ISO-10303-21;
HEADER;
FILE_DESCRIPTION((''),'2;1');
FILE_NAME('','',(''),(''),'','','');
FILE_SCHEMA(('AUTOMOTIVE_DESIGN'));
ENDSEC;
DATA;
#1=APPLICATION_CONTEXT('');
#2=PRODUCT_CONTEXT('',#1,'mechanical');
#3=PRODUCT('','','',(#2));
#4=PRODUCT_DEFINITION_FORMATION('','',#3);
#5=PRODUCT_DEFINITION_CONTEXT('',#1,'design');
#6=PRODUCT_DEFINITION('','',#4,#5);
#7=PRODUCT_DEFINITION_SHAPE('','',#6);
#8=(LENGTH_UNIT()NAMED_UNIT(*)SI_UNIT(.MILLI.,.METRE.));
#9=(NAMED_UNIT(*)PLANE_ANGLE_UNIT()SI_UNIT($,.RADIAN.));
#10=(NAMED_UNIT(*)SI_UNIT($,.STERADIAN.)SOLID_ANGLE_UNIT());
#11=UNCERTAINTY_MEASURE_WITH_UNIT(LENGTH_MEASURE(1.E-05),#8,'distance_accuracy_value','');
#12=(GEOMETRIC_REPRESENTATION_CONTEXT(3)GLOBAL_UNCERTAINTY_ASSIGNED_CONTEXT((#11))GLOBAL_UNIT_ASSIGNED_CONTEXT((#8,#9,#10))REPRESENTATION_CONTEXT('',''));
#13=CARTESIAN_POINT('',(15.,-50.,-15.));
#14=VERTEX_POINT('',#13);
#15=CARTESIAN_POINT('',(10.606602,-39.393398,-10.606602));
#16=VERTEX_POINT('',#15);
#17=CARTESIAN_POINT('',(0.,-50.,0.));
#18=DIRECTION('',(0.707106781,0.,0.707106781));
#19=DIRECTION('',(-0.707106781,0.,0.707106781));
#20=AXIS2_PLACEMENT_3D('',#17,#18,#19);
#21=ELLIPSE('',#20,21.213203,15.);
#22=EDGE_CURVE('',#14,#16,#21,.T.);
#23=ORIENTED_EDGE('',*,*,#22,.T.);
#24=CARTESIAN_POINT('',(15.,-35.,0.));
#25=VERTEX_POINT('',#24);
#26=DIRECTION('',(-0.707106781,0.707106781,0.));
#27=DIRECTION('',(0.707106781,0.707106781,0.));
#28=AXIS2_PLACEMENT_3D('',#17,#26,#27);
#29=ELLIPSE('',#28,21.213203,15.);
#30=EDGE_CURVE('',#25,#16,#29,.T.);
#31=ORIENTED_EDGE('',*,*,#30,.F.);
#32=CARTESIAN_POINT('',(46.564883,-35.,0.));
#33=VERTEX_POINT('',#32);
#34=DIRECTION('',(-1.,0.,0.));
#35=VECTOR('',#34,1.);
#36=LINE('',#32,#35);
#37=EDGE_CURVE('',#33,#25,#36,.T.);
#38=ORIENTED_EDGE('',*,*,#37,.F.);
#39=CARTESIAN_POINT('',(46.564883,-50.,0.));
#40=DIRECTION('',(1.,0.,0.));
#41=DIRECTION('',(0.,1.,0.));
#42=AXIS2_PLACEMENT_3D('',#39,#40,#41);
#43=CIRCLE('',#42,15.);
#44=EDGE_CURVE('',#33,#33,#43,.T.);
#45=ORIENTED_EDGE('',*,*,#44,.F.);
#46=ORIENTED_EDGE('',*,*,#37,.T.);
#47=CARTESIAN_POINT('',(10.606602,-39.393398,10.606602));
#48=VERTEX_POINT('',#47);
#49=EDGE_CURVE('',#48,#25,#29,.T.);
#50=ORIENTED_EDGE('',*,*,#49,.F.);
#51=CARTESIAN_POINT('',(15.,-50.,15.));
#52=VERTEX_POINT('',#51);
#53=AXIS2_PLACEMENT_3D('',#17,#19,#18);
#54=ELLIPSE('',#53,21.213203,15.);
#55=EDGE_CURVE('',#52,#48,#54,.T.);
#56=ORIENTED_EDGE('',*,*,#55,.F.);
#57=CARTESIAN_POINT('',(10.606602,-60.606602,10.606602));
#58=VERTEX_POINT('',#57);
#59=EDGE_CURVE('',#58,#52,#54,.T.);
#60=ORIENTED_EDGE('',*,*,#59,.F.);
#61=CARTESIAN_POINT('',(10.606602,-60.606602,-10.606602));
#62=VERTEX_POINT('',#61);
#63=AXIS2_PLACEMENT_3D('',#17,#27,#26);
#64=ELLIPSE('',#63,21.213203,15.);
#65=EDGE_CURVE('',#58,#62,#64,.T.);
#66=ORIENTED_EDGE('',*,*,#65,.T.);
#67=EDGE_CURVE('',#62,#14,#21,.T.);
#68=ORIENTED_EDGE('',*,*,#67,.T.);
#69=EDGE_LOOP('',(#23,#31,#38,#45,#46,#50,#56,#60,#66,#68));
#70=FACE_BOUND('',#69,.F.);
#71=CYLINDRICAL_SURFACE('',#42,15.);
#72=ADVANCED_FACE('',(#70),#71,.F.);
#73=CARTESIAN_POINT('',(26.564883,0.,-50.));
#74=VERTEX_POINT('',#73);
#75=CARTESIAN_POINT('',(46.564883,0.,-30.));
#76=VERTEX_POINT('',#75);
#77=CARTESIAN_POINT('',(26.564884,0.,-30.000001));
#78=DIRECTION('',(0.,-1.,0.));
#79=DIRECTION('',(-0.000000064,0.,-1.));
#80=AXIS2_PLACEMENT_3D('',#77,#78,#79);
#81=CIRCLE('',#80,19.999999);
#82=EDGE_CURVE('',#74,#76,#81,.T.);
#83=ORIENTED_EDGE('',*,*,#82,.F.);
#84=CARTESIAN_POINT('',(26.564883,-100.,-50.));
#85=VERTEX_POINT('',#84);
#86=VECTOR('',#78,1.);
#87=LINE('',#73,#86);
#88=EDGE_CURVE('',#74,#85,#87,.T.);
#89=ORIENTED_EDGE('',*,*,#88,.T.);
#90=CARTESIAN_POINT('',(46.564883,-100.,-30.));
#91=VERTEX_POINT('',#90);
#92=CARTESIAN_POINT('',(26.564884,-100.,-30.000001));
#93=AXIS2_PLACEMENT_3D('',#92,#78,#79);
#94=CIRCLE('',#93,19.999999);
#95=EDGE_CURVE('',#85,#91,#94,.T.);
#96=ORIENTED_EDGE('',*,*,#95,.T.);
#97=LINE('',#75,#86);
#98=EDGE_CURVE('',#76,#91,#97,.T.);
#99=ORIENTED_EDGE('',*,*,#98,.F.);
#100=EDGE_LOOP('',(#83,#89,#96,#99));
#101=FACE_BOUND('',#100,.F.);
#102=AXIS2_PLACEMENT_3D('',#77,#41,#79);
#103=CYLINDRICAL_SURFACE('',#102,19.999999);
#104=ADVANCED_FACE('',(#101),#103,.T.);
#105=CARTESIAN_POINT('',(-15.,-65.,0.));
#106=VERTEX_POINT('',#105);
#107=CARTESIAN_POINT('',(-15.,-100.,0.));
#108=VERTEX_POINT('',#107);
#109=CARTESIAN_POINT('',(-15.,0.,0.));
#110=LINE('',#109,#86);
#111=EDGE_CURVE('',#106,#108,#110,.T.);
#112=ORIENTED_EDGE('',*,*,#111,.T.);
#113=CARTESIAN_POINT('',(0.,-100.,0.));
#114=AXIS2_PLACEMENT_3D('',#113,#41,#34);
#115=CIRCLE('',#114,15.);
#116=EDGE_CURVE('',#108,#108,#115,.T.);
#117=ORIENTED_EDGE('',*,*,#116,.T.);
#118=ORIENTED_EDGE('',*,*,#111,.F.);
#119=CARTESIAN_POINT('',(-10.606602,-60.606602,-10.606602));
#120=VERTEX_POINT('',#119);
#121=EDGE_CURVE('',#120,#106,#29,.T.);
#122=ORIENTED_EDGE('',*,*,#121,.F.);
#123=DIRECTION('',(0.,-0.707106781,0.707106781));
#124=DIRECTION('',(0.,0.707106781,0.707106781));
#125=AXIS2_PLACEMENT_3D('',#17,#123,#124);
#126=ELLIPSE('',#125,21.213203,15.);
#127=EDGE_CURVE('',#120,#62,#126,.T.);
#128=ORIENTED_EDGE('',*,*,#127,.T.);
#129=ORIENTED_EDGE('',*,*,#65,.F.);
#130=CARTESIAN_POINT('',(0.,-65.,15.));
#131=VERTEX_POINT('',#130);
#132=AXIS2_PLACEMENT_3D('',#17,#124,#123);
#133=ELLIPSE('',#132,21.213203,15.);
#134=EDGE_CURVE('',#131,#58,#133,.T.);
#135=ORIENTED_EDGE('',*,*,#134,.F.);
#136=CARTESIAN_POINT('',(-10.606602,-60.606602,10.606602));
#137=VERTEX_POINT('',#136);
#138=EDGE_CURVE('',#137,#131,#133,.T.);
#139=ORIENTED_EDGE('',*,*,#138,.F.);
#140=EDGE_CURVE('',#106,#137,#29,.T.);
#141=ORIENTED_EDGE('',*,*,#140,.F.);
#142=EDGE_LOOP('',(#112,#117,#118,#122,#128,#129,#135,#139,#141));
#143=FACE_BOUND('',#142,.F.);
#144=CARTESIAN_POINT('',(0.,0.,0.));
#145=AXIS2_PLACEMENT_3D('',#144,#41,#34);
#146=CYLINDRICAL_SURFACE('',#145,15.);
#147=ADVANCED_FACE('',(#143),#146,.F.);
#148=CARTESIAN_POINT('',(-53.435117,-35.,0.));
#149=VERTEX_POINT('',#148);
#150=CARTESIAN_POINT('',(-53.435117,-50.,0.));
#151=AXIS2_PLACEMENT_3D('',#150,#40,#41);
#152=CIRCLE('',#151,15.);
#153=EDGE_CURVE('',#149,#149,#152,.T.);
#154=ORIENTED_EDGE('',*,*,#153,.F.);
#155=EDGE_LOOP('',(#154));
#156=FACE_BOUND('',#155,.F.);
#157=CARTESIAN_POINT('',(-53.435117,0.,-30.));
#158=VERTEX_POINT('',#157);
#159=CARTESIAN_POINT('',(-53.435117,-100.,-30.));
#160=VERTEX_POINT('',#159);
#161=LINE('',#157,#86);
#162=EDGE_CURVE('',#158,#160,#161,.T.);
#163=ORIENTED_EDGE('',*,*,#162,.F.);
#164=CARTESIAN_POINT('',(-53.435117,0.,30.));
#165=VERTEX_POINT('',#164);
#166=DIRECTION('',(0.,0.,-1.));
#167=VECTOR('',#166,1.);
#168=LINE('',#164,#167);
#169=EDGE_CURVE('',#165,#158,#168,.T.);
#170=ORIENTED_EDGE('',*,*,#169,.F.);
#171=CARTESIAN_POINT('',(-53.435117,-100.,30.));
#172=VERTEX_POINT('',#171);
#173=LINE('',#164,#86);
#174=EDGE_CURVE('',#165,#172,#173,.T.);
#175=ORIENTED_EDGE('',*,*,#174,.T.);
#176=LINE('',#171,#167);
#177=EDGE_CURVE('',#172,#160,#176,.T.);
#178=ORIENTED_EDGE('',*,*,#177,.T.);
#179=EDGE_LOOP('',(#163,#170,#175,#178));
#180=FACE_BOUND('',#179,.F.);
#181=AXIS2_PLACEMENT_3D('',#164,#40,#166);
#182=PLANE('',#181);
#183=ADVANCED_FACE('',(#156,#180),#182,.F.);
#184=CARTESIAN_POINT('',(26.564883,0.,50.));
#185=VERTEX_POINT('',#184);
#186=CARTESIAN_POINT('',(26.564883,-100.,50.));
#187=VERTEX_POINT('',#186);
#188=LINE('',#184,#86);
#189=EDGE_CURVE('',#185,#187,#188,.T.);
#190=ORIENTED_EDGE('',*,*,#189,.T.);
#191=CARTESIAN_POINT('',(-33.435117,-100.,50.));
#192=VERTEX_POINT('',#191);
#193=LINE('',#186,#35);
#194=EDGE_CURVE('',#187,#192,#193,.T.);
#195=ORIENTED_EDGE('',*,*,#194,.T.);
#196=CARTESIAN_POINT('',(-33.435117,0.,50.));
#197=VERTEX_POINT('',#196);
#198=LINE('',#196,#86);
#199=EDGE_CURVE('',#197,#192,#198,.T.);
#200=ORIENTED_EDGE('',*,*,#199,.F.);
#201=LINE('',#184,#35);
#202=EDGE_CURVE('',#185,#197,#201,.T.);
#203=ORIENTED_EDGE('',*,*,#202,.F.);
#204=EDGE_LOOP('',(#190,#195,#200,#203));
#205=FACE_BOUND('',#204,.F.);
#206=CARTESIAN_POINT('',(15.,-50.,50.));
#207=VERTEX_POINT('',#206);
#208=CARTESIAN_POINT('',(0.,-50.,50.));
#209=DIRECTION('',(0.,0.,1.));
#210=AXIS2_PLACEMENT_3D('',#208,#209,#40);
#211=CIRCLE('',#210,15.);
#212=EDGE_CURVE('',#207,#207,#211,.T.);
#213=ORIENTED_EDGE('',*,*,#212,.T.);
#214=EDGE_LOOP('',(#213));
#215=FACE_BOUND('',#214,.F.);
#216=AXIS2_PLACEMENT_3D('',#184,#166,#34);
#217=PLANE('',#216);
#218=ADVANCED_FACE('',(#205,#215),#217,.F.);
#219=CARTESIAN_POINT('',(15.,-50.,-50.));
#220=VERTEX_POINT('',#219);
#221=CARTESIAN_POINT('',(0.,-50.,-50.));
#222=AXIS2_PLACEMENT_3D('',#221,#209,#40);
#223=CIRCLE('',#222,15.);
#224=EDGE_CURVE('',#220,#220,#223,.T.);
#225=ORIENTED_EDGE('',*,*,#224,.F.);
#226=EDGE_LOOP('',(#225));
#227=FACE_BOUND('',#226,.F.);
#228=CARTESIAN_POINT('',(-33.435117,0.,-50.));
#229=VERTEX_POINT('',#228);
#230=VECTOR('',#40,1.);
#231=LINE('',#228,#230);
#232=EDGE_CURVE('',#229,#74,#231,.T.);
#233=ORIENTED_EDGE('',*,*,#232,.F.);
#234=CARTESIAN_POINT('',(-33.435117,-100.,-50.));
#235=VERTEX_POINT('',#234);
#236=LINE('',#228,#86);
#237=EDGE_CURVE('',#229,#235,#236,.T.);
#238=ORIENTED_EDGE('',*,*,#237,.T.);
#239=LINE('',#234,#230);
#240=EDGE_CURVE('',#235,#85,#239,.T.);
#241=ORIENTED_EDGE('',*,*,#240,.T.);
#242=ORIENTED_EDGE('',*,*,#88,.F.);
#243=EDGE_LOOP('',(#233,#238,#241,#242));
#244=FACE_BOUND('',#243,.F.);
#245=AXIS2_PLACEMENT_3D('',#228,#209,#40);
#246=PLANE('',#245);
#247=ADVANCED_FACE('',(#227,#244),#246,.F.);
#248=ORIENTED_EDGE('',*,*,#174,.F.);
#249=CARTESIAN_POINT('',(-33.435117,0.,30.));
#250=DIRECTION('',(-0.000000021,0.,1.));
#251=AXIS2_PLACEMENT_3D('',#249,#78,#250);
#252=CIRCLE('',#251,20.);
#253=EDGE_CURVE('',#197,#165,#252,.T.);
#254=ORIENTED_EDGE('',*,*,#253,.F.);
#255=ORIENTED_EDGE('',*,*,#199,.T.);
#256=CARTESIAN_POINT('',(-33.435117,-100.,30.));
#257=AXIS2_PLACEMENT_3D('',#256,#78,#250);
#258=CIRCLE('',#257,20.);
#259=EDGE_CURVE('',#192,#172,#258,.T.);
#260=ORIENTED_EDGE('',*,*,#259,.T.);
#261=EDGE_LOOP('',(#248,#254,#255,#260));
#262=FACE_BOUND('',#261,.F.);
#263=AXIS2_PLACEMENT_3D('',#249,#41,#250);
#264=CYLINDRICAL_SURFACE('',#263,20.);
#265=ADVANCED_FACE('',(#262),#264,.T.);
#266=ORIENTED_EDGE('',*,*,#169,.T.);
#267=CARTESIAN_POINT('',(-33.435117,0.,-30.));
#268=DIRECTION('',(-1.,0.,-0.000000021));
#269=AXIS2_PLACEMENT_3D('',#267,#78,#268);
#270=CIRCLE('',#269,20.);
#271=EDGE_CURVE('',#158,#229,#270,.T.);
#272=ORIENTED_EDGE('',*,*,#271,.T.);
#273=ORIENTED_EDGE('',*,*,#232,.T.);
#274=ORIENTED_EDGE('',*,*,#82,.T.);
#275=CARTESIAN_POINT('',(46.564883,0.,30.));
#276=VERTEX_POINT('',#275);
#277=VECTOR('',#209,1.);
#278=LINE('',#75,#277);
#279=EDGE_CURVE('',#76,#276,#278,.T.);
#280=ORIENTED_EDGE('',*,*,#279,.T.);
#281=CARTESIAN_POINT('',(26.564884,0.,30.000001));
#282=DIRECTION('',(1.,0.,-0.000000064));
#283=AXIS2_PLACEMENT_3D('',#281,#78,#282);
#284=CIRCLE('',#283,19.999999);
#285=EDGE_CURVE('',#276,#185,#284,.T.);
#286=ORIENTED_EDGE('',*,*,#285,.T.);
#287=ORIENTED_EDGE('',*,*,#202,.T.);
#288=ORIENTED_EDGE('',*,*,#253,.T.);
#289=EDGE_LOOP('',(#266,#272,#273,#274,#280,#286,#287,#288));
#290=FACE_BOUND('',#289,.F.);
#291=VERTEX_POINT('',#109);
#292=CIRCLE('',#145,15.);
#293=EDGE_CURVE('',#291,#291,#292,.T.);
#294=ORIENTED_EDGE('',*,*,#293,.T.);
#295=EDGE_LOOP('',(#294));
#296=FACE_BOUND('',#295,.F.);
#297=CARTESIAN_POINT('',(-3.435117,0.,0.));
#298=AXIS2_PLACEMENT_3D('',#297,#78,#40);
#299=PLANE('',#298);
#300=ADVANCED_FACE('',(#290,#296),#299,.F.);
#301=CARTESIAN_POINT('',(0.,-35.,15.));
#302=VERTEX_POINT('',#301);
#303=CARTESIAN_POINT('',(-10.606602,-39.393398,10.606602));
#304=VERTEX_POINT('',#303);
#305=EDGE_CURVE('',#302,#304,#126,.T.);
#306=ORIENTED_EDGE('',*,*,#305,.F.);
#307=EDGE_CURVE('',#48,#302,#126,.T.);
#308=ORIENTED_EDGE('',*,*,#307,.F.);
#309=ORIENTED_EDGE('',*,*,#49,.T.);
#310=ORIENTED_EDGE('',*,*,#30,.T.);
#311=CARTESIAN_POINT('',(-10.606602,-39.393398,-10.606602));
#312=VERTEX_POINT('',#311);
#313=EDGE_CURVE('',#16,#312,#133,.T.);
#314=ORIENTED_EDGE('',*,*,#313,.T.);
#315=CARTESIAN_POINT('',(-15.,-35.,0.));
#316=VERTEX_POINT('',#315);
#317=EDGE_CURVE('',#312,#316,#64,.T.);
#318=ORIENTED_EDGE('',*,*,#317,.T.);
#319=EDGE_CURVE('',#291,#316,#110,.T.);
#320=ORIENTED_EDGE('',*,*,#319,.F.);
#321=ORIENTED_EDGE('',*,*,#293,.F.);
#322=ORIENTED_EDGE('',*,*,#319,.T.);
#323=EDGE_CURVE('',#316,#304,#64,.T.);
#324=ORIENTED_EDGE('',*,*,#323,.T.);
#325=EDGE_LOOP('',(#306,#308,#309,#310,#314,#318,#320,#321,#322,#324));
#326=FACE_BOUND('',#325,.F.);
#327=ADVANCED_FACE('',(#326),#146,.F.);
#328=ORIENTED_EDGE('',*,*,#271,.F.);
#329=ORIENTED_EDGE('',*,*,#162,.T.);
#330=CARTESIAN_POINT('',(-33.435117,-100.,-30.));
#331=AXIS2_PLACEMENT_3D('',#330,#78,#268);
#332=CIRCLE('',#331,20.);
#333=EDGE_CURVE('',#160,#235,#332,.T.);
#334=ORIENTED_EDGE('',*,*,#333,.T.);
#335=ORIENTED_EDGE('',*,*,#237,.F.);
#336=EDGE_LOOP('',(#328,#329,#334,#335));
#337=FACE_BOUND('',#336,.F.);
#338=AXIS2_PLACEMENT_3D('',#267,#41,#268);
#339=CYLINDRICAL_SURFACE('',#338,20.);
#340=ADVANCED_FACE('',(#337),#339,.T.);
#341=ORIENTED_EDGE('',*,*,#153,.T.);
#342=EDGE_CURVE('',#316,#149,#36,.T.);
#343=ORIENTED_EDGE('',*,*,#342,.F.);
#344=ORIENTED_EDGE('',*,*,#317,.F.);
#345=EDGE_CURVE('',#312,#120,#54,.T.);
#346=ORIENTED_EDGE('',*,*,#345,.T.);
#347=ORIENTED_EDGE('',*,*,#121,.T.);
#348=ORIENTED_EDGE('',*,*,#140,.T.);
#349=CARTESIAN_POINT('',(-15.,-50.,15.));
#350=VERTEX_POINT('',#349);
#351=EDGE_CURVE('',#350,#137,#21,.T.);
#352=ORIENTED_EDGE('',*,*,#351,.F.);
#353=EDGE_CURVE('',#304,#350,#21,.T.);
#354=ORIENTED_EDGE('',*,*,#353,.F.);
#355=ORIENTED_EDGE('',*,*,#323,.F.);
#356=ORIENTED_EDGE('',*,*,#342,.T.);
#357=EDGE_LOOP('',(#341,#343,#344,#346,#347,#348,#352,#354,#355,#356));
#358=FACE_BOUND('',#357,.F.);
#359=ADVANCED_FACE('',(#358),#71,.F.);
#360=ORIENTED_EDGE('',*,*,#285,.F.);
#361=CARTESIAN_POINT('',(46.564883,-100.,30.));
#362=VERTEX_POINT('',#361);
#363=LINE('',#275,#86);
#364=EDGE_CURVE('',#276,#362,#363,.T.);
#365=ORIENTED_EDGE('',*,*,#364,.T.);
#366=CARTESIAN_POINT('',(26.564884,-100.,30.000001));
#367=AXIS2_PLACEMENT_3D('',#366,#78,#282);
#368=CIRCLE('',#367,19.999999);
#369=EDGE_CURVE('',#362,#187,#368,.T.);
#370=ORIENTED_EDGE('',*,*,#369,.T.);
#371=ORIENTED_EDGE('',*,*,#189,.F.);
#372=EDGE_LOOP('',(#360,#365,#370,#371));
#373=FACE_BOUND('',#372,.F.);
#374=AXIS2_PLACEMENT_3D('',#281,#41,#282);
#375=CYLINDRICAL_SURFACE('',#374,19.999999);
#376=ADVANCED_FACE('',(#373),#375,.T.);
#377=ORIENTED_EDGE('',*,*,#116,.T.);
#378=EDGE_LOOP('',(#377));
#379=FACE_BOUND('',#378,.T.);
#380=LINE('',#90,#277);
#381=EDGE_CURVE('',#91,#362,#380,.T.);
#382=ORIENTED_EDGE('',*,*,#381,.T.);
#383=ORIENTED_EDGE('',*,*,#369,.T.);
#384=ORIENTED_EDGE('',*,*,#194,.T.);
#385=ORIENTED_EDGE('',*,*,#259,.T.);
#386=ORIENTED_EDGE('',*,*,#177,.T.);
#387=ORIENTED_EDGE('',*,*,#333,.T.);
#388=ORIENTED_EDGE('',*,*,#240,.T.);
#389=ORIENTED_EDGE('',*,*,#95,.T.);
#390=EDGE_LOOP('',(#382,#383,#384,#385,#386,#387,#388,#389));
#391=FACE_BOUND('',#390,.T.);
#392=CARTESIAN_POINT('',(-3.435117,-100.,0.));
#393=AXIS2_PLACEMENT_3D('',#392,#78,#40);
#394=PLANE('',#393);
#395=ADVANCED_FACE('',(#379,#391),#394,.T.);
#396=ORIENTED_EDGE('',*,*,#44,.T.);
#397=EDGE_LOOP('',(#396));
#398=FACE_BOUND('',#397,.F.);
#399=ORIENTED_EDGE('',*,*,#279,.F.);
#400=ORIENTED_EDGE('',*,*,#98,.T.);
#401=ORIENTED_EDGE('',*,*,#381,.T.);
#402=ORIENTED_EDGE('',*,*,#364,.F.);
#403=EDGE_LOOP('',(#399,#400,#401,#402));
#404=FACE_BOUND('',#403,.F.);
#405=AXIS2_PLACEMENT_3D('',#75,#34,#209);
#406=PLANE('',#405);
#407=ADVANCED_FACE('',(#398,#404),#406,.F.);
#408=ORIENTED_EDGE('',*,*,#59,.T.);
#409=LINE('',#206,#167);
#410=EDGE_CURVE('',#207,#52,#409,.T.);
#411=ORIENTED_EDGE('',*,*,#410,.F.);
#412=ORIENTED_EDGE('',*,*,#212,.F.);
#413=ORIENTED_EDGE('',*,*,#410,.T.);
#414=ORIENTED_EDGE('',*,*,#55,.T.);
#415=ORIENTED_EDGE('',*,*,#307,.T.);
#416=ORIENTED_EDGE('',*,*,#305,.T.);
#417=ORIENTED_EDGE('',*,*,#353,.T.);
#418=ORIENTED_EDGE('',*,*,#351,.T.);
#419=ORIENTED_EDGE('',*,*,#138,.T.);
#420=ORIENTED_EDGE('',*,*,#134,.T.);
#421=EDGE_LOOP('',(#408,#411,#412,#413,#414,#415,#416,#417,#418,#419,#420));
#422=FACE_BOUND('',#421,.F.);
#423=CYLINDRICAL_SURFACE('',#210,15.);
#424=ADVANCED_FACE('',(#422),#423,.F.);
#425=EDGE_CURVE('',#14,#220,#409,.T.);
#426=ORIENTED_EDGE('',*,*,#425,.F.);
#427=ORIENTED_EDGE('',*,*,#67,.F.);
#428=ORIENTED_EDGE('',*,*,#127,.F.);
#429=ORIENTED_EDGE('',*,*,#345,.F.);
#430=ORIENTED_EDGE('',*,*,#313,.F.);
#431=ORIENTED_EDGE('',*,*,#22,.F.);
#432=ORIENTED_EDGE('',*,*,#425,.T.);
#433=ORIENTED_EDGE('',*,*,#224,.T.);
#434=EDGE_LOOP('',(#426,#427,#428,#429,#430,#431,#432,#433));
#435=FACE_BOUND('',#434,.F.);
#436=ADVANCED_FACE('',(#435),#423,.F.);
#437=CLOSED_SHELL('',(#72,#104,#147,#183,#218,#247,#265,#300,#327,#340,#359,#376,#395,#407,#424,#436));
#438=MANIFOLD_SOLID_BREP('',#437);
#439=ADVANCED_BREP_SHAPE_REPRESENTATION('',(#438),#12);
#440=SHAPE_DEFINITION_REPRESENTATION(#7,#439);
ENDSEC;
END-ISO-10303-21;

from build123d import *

# Parameters (mm, degrees)
F1_DEPTH = 100
F2_R     = 15
F3_DEPTH = 100.001
F4_R     = 15
F5_DEPTH = 100.001
F6_R     = 15
F7_DEPTH = 100.001


with BuildPart() as f1:
    # F0 (on Front) → F1 (new body)
    with BuildSketch(Plane.XZ):
        with BuildLine():
            ThreePointArc((46.564883, 30), (40.707019, 44.142136), (26.564883, 50))
            Line((26.564883, 50), (-33.435117, 50))
            ThreePointArc((-33.435117, 50), (-47.577252, 44.142136), (-53.435117, 30))
            Line((-53.435117, 30), (-53.435117, -30))
            ThreePointArc((-53.435117, -30), (-47.577252, -44.142136), (-33.435117, -50))
            Line((-33.435117, -50), (26.564883, -50))
            ThreePointArc((26.564883, -50), (40.707019, -44.142136), (46.564883, -30))
            Line((46.564883, -30), (46.564883, 30))
        make_face()
    extrude(amount=F1_DEPTH)

    # F2 (on face) → F3 (cut, through all)
    with BuildSketch(Plane.XY.offset(50)):
        with Locations((0, -50)):
            Circle(F2_R)
    extrude(amount=-F3_DEPTH, mode=Mode.SUBTRACT)

    # F4 (on face) → F5 (cut, through all)
    with BuildSketch(Plane(origin=(0, 0, 0), x_dir=(-1, 0, 0), z_dir=(0, 1, 0))):
        Circle(F4_R)
    extrude(amount=-F5_DEPTH, mode=Mode.SUBTRACT)

    # F6 (on face) → F7 (cut, through all)
    with BuildSketch(Plane.YZ.offset(46.564883)):
        with Locations((-50, 0)):
            Circle(F6_R)
    extrude(amount=-F7_DEPTH, mode=Mode.SUBTRACT)


solid = f1.part
